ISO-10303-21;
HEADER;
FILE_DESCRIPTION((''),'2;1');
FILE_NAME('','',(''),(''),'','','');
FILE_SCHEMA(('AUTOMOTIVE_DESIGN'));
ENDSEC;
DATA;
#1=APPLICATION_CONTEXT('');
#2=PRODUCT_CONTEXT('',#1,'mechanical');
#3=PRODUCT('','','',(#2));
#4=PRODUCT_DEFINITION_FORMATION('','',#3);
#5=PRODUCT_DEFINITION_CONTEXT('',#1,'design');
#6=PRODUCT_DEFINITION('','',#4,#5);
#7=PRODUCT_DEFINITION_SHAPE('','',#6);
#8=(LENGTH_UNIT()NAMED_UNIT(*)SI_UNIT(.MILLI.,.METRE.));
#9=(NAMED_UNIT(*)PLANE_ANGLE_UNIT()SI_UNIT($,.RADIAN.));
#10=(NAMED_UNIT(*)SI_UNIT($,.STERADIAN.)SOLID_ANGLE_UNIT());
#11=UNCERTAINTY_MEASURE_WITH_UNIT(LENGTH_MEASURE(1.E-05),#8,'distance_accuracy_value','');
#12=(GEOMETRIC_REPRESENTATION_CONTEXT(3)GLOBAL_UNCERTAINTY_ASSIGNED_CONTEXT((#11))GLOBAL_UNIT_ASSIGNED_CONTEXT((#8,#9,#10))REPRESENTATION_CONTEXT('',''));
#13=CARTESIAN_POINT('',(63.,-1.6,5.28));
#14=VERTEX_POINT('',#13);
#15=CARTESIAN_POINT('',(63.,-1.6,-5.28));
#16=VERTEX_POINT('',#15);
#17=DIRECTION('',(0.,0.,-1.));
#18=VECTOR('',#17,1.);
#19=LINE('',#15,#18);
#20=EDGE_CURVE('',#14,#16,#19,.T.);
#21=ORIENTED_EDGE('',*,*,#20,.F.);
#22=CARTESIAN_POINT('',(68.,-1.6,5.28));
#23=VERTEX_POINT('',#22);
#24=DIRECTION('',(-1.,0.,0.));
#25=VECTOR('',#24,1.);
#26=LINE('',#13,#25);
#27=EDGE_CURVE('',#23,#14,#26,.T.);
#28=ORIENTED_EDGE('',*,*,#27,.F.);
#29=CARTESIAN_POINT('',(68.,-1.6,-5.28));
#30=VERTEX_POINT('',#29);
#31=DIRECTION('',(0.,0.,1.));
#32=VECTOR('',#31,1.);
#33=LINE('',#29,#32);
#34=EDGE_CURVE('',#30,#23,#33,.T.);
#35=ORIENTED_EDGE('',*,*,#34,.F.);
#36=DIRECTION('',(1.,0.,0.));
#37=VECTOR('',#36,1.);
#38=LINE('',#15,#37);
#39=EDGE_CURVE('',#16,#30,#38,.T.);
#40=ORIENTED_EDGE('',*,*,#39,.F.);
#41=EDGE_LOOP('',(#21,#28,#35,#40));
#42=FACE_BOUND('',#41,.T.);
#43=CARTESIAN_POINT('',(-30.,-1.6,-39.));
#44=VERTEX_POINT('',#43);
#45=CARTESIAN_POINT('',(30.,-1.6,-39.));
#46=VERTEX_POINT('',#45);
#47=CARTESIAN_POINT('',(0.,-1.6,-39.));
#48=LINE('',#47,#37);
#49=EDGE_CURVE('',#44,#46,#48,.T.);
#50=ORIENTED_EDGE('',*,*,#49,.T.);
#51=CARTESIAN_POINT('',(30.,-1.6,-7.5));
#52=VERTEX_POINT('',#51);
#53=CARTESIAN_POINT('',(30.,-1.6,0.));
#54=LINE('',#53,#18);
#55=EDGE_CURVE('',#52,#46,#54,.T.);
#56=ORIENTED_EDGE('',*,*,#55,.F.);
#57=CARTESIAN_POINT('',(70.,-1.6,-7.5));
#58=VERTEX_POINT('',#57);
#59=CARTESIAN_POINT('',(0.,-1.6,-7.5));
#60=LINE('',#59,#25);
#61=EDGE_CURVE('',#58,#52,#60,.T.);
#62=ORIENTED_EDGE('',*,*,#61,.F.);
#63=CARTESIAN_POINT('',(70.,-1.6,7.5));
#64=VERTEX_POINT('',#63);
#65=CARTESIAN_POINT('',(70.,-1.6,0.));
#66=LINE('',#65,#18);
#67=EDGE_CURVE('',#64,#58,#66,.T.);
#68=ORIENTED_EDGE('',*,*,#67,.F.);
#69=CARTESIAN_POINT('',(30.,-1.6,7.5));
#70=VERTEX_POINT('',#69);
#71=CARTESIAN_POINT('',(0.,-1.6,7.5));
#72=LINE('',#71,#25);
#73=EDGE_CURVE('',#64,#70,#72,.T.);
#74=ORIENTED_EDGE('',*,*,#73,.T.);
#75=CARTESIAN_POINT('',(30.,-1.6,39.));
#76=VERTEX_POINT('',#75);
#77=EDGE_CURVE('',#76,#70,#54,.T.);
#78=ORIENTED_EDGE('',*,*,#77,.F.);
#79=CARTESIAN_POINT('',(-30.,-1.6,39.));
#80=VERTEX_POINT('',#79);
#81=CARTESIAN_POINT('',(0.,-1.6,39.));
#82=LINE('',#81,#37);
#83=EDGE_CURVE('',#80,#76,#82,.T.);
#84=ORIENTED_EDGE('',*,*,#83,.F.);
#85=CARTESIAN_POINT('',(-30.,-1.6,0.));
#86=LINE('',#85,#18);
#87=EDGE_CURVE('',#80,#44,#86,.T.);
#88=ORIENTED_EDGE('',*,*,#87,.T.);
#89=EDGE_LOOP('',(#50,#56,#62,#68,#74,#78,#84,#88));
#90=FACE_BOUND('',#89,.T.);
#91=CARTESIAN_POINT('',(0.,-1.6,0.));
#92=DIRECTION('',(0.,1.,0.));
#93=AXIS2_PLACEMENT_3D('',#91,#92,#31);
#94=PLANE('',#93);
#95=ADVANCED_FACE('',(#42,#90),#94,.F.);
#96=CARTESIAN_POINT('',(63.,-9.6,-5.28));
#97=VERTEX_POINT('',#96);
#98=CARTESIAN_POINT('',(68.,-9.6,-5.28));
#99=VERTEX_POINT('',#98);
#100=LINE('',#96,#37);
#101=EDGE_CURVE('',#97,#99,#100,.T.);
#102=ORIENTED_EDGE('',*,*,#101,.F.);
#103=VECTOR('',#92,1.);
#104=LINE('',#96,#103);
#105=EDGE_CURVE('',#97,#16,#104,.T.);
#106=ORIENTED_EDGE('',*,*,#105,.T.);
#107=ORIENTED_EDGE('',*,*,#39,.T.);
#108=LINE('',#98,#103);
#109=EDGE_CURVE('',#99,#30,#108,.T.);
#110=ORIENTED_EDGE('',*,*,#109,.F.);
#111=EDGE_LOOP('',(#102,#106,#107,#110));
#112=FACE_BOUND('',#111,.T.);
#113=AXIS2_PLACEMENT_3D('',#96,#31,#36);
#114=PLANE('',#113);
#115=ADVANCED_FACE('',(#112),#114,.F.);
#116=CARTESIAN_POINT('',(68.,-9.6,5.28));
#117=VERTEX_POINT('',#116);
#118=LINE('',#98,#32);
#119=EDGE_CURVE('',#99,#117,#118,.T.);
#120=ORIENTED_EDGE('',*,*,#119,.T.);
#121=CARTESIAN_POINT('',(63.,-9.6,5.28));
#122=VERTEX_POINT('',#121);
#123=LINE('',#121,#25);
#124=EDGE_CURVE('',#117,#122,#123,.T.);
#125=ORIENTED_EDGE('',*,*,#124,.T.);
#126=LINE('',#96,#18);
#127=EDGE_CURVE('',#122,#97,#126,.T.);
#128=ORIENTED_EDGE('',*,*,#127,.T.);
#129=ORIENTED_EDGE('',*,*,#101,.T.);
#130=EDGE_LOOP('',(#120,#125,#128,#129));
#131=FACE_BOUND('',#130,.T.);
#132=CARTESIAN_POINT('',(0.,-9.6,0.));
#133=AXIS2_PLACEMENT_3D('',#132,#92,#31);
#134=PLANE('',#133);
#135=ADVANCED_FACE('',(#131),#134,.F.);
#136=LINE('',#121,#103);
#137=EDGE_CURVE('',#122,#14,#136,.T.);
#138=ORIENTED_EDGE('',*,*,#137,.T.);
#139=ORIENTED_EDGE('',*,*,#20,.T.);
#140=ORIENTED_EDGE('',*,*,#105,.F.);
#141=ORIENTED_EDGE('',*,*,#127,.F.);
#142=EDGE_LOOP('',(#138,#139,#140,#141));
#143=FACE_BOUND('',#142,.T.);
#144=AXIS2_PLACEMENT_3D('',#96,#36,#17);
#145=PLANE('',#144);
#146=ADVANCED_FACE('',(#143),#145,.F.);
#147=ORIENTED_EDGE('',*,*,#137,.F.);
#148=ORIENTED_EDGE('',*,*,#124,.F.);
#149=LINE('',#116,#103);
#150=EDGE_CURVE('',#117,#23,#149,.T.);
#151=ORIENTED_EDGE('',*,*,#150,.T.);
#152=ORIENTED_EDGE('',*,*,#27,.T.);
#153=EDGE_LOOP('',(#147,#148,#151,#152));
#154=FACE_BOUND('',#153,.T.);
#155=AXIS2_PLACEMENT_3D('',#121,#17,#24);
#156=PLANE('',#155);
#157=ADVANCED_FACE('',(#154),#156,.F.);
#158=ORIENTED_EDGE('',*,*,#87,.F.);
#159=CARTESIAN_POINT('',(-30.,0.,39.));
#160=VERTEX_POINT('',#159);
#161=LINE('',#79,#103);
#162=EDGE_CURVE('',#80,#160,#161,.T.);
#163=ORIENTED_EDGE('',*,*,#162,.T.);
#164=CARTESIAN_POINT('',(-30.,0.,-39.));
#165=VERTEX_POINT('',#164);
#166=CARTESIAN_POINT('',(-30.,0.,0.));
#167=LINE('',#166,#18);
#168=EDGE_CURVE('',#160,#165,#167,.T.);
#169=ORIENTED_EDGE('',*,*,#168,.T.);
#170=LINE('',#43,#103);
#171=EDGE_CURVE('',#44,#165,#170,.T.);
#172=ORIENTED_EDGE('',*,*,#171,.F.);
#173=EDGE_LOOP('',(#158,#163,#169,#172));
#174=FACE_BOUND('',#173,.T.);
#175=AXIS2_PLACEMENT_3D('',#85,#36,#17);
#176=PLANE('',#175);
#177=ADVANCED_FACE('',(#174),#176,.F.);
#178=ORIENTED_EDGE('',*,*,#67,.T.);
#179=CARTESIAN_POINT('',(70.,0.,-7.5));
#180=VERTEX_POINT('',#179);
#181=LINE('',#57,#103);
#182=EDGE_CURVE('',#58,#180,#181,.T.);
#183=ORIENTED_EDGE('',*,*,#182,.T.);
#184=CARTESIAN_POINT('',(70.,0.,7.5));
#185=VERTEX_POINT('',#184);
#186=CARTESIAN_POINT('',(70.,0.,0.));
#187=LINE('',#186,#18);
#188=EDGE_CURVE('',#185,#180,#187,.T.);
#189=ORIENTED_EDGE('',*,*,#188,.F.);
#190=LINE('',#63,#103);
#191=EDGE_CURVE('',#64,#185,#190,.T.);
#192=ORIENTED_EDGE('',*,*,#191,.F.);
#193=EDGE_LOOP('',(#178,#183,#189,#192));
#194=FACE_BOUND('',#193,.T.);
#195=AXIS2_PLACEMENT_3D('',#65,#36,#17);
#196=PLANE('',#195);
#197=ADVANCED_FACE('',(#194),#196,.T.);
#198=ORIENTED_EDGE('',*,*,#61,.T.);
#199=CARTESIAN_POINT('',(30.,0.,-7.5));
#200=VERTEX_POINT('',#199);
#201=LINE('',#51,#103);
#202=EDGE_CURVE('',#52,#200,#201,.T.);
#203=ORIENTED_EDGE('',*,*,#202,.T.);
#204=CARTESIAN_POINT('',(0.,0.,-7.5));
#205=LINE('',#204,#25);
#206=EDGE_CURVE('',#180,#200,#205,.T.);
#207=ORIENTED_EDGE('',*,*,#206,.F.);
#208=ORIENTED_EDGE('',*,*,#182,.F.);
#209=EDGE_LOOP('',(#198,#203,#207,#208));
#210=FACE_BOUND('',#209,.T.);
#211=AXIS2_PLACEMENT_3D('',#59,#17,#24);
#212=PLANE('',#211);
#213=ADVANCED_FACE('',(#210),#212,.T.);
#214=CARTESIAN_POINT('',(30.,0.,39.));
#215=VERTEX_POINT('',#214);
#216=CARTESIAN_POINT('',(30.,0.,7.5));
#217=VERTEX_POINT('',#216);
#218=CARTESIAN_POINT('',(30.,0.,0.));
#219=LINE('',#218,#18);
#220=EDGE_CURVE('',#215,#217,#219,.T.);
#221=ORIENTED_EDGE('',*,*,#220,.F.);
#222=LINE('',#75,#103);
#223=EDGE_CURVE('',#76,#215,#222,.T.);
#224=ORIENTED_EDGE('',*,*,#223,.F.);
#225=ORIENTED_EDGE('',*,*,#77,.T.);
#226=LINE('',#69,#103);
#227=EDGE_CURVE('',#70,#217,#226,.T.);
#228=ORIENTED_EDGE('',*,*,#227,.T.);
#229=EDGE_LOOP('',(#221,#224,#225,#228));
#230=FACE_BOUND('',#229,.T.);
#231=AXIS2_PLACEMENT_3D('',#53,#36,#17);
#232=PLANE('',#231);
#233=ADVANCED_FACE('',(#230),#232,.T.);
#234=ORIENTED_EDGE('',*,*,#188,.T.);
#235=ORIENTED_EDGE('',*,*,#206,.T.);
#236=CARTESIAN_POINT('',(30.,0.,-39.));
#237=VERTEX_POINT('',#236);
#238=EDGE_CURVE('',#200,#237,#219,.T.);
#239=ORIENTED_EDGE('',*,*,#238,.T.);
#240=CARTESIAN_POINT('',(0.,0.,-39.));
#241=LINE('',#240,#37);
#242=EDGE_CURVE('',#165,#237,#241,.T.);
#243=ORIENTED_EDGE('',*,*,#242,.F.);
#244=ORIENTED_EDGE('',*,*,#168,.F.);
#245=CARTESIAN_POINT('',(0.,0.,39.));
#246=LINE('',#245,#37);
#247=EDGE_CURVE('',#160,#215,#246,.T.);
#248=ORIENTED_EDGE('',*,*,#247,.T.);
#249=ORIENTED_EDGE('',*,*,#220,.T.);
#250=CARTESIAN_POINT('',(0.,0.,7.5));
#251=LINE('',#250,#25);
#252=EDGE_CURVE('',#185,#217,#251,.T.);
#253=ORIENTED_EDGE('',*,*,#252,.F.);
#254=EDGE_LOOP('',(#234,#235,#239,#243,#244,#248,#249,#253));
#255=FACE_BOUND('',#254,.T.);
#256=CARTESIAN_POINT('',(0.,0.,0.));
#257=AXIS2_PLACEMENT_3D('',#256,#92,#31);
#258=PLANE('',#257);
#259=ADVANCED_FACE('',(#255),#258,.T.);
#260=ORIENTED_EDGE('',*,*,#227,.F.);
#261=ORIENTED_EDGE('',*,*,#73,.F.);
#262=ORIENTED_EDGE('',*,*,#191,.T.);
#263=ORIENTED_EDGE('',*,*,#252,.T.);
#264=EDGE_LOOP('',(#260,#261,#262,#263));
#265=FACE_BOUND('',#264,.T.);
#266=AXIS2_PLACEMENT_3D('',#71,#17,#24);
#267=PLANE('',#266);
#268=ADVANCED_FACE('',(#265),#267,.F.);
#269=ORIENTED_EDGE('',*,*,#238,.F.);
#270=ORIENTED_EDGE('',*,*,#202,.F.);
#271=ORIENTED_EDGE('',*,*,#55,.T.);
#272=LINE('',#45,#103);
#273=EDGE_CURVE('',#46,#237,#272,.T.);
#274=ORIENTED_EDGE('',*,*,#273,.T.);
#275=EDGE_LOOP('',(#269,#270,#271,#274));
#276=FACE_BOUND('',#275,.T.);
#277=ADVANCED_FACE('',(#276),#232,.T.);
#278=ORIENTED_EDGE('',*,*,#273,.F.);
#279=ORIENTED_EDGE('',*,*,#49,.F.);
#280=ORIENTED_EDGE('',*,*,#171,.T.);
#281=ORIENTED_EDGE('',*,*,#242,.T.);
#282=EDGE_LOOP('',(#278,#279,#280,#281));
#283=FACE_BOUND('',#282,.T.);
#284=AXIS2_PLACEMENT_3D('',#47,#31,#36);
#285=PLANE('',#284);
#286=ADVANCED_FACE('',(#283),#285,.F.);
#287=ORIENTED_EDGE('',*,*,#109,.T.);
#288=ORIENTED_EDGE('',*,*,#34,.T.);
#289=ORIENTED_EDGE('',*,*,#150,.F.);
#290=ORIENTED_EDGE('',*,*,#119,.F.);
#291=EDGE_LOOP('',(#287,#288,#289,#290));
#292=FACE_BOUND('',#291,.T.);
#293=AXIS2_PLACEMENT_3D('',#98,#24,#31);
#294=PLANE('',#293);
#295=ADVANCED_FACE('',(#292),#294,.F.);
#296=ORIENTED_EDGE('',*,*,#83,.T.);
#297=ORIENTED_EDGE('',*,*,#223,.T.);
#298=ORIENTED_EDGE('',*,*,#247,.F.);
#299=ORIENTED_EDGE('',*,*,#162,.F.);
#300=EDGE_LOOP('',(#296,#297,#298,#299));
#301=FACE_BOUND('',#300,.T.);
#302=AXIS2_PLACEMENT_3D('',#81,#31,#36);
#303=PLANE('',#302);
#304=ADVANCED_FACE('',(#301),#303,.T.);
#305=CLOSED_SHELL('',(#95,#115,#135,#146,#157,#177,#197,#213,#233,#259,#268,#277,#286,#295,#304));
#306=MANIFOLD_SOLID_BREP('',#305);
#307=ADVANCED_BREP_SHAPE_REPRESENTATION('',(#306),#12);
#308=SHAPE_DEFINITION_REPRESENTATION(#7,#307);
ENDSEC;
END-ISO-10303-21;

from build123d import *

# Parameters (mm, degrees)
SKETCH1_W           = 60
SKETCH1_H           = 78
SKETCH1_W_2         = 40
SKETCH1_H_2         = 15
BOSS_EXTRUDE1_DEPTH = 1.6
SKETCH2_W           = 5
SKETCH2_H           = 10.56
BOSS_EXTRUDE2_DEPTH = 8


with BuildPart() as part:
    # Sketch1 → Boss-Extrude1 (new body)
    with BuildSketch(Plane(origin=(0, 0, 0), x_dir=(1, 0, 0), z_dir=(0, 1, 0))):
        Rectangle(SKETCH1_W, SKETCH1_H)
        with Locations((50, 0)):
            Rectangle(SKETCH1_W_2, SKETCH1_H_2)
    extrude(amount=-BOSS_EXTRUDE1_DEPTH)

    # Sketch2 → Boss-Extrude2 (add)
    with BuildSketch(Plane.XZ.offset(1.6)):
        with Locations((65.5, 0)):
            Rectangle(SKETCH2_W, SKETCH2_H)
    extrude(amount=BOSS_EXTRUDE2_DEPTH)


solid = part.part
